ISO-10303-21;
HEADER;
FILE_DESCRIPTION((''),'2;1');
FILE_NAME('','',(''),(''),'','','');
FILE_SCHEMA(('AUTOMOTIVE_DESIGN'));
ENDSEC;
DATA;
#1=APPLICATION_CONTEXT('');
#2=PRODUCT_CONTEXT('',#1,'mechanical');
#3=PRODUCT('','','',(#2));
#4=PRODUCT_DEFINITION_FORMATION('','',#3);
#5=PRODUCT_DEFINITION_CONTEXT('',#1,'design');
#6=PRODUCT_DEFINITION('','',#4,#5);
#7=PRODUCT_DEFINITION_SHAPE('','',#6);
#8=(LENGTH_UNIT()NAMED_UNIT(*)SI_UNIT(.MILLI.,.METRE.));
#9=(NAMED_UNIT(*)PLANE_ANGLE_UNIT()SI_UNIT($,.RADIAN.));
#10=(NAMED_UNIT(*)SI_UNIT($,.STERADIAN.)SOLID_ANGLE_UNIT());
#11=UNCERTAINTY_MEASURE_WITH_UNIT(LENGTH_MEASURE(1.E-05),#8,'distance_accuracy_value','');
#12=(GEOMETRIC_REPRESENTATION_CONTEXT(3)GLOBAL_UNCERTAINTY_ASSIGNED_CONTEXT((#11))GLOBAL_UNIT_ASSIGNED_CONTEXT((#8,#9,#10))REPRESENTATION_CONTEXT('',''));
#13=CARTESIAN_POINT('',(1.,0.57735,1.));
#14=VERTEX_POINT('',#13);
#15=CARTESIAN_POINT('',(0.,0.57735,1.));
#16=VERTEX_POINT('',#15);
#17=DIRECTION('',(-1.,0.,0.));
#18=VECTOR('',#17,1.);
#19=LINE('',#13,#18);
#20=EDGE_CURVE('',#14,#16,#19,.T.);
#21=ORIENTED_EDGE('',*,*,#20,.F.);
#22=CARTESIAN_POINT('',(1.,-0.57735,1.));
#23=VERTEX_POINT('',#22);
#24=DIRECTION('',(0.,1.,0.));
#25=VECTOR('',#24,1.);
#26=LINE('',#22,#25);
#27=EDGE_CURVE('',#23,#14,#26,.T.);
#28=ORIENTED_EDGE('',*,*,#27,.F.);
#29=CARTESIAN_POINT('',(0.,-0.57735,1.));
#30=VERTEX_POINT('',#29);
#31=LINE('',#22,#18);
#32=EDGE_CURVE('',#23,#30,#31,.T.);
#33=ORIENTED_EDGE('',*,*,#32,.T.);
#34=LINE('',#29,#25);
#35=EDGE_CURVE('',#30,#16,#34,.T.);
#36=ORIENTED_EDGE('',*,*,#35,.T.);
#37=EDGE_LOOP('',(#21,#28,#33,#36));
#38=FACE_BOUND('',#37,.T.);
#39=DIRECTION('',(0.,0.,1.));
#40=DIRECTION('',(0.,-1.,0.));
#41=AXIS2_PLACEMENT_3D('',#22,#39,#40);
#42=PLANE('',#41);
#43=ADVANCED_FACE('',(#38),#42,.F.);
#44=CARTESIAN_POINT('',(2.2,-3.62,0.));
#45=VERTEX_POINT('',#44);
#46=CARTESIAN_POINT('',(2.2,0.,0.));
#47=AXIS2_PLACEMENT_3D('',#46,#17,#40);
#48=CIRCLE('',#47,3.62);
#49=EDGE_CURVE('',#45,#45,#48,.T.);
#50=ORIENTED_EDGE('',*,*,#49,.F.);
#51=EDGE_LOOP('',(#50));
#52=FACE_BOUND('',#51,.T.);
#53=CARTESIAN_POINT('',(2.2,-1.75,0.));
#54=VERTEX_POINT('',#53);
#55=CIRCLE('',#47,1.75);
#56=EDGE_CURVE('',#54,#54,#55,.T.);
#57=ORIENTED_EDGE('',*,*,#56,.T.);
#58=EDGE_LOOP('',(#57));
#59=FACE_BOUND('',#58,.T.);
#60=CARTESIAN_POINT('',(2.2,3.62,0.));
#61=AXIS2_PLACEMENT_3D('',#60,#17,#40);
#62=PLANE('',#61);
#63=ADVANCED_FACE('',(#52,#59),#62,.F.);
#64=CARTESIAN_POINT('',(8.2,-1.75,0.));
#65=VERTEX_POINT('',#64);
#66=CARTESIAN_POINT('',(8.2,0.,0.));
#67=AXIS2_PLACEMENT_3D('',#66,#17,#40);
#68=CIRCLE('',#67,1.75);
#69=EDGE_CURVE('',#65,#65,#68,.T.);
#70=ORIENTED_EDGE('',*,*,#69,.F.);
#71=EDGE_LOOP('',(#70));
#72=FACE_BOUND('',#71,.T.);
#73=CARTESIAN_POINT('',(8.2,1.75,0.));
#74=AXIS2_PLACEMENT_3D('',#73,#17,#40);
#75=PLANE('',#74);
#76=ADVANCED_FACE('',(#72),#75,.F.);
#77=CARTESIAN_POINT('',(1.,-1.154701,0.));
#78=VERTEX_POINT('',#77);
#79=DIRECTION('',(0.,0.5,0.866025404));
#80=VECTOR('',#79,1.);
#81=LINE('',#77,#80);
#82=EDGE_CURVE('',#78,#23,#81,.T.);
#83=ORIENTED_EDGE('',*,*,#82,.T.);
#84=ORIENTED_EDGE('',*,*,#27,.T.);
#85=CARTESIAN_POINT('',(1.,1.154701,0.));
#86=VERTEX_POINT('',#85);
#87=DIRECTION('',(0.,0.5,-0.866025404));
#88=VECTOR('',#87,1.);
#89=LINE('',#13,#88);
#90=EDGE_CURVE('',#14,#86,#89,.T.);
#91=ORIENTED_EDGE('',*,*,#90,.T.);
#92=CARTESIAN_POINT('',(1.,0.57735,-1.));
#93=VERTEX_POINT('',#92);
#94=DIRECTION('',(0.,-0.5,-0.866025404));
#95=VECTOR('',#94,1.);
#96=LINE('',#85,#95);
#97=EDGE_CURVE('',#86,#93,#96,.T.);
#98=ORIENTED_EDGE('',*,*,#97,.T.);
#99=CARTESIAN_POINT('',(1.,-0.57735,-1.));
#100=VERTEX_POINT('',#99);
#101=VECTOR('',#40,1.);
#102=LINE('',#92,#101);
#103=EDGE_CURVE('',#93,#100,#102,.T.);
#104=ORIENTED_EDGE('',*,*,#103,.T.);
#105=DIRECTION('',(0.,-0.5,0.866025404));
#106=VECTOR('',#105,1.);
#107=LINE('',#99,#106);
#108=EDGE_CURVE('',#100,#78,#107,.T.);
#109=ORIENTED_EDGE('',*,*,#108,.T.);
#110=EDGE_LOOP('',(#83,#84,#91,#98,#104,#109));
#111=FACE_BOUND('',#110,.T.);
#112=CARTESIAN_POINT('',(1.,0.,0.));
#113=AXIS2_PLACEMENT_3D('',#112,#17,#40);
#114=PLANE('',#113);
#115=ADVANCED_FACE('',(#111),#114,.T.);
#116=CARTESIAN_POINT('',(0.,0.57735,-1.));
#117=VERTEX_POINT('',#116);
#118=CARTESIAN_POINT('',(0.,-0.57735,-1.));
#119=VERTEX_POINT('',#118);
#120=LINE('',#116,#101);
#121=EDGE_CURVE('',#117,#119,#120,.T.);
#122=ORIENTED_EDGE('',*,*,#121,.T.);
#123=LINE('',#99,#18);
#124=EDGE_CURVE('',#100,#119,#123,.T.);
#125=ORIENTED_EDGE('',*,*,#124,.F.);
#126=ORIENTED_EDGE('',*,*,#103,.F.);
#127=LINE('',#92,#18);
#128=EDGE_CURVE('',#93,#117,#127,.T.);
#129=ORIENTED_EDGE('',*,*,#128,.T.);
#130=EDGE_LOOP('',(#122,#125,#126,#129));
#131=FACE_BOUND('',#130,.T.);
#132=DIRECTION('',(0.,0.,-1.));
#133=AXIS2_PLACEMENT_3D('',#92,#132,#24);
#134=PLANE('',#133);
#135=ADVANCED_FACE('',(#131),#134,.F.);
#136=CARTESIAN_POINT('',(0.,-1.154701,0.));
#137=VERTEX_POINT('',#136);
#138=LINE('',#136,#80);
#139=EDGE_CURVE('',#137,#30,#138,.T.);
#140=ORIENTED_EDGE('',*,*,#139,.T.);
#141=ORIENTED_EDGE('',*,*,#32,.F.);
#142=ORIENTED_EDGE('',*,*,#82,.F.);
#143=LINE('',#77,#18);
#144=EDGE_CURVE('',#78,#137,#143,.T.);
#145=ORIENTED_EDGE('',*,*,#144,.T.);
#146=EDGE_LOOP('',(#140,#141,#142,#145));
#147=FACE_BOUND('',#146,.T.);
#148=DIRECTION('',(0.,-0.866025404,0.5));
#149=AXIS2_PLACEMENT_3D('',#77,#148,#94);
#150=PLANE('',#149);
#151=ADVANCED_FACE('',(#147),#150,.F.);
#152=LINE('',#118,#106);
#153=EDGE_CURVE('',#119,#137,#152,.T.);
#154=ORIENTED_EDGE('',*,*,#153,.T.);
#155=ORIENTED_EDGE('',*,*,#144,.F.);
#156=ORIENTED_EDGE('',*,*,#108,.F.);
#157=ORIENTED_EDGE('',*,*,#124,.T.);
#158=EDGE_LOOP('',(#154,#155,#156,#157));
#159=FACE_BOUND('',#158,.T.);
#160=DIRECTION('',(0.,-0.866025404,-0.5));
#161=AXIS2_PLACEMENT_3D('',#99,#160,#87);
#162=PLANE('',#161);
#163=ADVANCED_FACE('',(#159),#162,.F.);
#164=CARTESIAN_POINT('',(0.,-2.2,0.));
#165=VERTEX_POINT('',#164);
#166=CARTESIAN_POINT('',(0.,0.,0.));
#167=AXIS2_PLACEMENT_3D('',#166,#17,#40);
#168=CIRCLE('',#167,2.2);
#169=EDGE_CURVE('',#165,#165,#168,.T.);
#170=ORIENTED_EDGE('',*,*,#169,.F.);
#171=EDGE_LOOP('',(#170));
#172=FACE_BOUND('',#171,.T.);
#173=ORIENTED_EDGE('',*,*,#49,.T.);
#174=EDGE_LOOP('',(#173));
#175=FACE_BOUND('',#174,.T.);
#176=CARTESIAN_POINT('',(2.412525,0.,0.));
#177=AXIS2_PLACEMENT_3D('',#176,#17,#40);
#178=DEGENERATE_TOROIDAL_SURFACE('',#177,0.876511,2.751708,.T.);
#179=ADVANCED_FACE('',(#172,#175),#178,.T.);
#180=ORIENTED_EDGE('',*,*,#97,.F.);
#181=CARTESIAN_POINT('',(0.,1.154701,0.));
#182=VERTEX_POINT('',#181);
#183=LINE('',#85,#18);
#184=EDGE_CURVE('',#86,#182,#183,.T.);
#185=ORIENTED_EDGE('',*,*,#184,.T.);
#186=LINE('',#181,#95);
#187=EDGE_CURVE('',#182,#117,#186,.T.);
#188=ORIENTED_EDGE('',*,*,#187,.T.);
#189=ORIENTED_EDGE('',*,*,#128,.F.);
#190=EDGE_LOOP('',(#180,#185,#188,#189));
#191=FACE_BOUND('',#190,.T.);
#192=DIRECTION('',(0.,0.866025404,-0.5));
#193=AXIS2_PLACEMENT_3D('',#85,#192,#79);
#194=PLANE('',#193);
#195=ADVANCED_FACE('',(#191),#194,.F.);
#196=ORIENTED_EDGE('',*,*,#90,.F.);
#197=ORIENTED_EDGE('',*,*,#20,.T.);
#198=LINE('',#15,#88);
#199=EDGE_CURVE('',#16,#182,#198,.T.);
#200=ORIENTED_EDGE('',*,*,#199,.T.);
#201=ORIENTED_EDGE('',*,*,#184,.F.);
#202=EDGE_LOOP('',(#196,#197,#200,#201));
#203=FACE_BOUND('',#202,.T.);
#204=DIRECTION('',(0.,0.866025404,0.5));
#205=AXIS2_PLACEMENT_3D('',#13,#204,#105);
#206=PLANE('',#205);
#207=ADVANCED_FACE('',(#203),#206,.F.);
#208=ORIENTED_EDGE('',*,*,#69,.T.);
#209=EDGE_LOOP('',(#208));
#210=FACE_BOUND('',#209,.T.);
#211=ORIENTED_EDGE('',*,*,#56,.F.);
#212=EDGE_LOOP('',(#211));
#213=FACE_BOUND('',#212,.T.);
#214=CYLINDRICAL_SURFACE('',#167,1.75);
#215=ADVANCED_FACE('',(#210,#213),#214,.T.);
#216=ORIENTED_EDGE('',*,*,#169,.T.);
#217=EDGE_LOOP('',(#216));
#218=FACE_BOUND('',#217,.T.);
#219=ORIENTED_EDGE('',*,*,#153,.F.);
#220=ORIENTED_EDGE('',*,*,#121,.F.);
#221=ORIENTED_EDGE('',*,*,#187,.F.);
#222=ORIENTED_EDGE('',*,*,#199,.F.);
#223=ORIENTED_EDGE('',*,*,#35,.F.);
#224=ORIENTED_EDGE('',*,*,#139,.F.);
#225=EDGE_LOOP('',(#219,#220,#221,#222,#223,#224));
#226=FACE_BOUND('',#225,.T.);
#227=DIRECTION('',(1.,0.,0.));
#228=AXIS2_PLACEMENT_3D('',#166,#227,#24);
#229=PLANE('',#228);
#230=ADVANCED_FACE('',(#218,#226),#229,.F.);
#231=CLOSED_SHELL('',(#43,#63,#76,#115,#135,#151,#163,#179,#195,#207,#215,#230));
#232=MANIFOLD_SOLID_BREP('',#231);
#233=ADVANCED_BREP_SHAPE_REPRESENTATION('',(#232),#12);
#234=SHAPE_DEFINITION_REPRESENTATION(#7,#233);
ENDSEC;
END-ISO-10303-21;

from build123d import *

# Parameters (mm, degrees)
CUT_EXTRUDE_1_DEPTH = 1


with BuildPart() as part:
    # 草图1 → 旋转1 (revolve)
    with BuildSketch(Plane.XY, mode=Mode.PRIVATE) as revolve_1_sk:
        with BuildLine():
            Line((0, 0), (0, 2.2))
            ThreePointArc((0, 2.2), (0.920270994, 3.188453389), (2.2, 3.62))
            Line((2.2, 3.62), (2.2, 1.75))
            Line((2.2, 1.75), (8.2, 1.75))
            Line((8.2, 1.75), (8.2, 0))
            Line((8.2, 0), (0, 0))
        make_face()
    revolve(revolve_1_sk.sketch.rotate(Axis((0, 0, 0), (1, 0, 0)), 180), axis=Axis((0, 0, 0), (1, 0, 0)))

    # 草图2 → 切除-拉伸1 (cut)
    with BuildSketch(Plane.ZY):
        Polygon((0, 1.154700538), (-1, 0.577350269), (-1, -0.577350269), (0, -1.154700538), (1, -0.577350269), (1, 0.577350269), align=None)
    extrude(amount=-CUT_EXTRUDE_1_DEPTH, mode=Mode.SUBTRACT)


solid = part.part
